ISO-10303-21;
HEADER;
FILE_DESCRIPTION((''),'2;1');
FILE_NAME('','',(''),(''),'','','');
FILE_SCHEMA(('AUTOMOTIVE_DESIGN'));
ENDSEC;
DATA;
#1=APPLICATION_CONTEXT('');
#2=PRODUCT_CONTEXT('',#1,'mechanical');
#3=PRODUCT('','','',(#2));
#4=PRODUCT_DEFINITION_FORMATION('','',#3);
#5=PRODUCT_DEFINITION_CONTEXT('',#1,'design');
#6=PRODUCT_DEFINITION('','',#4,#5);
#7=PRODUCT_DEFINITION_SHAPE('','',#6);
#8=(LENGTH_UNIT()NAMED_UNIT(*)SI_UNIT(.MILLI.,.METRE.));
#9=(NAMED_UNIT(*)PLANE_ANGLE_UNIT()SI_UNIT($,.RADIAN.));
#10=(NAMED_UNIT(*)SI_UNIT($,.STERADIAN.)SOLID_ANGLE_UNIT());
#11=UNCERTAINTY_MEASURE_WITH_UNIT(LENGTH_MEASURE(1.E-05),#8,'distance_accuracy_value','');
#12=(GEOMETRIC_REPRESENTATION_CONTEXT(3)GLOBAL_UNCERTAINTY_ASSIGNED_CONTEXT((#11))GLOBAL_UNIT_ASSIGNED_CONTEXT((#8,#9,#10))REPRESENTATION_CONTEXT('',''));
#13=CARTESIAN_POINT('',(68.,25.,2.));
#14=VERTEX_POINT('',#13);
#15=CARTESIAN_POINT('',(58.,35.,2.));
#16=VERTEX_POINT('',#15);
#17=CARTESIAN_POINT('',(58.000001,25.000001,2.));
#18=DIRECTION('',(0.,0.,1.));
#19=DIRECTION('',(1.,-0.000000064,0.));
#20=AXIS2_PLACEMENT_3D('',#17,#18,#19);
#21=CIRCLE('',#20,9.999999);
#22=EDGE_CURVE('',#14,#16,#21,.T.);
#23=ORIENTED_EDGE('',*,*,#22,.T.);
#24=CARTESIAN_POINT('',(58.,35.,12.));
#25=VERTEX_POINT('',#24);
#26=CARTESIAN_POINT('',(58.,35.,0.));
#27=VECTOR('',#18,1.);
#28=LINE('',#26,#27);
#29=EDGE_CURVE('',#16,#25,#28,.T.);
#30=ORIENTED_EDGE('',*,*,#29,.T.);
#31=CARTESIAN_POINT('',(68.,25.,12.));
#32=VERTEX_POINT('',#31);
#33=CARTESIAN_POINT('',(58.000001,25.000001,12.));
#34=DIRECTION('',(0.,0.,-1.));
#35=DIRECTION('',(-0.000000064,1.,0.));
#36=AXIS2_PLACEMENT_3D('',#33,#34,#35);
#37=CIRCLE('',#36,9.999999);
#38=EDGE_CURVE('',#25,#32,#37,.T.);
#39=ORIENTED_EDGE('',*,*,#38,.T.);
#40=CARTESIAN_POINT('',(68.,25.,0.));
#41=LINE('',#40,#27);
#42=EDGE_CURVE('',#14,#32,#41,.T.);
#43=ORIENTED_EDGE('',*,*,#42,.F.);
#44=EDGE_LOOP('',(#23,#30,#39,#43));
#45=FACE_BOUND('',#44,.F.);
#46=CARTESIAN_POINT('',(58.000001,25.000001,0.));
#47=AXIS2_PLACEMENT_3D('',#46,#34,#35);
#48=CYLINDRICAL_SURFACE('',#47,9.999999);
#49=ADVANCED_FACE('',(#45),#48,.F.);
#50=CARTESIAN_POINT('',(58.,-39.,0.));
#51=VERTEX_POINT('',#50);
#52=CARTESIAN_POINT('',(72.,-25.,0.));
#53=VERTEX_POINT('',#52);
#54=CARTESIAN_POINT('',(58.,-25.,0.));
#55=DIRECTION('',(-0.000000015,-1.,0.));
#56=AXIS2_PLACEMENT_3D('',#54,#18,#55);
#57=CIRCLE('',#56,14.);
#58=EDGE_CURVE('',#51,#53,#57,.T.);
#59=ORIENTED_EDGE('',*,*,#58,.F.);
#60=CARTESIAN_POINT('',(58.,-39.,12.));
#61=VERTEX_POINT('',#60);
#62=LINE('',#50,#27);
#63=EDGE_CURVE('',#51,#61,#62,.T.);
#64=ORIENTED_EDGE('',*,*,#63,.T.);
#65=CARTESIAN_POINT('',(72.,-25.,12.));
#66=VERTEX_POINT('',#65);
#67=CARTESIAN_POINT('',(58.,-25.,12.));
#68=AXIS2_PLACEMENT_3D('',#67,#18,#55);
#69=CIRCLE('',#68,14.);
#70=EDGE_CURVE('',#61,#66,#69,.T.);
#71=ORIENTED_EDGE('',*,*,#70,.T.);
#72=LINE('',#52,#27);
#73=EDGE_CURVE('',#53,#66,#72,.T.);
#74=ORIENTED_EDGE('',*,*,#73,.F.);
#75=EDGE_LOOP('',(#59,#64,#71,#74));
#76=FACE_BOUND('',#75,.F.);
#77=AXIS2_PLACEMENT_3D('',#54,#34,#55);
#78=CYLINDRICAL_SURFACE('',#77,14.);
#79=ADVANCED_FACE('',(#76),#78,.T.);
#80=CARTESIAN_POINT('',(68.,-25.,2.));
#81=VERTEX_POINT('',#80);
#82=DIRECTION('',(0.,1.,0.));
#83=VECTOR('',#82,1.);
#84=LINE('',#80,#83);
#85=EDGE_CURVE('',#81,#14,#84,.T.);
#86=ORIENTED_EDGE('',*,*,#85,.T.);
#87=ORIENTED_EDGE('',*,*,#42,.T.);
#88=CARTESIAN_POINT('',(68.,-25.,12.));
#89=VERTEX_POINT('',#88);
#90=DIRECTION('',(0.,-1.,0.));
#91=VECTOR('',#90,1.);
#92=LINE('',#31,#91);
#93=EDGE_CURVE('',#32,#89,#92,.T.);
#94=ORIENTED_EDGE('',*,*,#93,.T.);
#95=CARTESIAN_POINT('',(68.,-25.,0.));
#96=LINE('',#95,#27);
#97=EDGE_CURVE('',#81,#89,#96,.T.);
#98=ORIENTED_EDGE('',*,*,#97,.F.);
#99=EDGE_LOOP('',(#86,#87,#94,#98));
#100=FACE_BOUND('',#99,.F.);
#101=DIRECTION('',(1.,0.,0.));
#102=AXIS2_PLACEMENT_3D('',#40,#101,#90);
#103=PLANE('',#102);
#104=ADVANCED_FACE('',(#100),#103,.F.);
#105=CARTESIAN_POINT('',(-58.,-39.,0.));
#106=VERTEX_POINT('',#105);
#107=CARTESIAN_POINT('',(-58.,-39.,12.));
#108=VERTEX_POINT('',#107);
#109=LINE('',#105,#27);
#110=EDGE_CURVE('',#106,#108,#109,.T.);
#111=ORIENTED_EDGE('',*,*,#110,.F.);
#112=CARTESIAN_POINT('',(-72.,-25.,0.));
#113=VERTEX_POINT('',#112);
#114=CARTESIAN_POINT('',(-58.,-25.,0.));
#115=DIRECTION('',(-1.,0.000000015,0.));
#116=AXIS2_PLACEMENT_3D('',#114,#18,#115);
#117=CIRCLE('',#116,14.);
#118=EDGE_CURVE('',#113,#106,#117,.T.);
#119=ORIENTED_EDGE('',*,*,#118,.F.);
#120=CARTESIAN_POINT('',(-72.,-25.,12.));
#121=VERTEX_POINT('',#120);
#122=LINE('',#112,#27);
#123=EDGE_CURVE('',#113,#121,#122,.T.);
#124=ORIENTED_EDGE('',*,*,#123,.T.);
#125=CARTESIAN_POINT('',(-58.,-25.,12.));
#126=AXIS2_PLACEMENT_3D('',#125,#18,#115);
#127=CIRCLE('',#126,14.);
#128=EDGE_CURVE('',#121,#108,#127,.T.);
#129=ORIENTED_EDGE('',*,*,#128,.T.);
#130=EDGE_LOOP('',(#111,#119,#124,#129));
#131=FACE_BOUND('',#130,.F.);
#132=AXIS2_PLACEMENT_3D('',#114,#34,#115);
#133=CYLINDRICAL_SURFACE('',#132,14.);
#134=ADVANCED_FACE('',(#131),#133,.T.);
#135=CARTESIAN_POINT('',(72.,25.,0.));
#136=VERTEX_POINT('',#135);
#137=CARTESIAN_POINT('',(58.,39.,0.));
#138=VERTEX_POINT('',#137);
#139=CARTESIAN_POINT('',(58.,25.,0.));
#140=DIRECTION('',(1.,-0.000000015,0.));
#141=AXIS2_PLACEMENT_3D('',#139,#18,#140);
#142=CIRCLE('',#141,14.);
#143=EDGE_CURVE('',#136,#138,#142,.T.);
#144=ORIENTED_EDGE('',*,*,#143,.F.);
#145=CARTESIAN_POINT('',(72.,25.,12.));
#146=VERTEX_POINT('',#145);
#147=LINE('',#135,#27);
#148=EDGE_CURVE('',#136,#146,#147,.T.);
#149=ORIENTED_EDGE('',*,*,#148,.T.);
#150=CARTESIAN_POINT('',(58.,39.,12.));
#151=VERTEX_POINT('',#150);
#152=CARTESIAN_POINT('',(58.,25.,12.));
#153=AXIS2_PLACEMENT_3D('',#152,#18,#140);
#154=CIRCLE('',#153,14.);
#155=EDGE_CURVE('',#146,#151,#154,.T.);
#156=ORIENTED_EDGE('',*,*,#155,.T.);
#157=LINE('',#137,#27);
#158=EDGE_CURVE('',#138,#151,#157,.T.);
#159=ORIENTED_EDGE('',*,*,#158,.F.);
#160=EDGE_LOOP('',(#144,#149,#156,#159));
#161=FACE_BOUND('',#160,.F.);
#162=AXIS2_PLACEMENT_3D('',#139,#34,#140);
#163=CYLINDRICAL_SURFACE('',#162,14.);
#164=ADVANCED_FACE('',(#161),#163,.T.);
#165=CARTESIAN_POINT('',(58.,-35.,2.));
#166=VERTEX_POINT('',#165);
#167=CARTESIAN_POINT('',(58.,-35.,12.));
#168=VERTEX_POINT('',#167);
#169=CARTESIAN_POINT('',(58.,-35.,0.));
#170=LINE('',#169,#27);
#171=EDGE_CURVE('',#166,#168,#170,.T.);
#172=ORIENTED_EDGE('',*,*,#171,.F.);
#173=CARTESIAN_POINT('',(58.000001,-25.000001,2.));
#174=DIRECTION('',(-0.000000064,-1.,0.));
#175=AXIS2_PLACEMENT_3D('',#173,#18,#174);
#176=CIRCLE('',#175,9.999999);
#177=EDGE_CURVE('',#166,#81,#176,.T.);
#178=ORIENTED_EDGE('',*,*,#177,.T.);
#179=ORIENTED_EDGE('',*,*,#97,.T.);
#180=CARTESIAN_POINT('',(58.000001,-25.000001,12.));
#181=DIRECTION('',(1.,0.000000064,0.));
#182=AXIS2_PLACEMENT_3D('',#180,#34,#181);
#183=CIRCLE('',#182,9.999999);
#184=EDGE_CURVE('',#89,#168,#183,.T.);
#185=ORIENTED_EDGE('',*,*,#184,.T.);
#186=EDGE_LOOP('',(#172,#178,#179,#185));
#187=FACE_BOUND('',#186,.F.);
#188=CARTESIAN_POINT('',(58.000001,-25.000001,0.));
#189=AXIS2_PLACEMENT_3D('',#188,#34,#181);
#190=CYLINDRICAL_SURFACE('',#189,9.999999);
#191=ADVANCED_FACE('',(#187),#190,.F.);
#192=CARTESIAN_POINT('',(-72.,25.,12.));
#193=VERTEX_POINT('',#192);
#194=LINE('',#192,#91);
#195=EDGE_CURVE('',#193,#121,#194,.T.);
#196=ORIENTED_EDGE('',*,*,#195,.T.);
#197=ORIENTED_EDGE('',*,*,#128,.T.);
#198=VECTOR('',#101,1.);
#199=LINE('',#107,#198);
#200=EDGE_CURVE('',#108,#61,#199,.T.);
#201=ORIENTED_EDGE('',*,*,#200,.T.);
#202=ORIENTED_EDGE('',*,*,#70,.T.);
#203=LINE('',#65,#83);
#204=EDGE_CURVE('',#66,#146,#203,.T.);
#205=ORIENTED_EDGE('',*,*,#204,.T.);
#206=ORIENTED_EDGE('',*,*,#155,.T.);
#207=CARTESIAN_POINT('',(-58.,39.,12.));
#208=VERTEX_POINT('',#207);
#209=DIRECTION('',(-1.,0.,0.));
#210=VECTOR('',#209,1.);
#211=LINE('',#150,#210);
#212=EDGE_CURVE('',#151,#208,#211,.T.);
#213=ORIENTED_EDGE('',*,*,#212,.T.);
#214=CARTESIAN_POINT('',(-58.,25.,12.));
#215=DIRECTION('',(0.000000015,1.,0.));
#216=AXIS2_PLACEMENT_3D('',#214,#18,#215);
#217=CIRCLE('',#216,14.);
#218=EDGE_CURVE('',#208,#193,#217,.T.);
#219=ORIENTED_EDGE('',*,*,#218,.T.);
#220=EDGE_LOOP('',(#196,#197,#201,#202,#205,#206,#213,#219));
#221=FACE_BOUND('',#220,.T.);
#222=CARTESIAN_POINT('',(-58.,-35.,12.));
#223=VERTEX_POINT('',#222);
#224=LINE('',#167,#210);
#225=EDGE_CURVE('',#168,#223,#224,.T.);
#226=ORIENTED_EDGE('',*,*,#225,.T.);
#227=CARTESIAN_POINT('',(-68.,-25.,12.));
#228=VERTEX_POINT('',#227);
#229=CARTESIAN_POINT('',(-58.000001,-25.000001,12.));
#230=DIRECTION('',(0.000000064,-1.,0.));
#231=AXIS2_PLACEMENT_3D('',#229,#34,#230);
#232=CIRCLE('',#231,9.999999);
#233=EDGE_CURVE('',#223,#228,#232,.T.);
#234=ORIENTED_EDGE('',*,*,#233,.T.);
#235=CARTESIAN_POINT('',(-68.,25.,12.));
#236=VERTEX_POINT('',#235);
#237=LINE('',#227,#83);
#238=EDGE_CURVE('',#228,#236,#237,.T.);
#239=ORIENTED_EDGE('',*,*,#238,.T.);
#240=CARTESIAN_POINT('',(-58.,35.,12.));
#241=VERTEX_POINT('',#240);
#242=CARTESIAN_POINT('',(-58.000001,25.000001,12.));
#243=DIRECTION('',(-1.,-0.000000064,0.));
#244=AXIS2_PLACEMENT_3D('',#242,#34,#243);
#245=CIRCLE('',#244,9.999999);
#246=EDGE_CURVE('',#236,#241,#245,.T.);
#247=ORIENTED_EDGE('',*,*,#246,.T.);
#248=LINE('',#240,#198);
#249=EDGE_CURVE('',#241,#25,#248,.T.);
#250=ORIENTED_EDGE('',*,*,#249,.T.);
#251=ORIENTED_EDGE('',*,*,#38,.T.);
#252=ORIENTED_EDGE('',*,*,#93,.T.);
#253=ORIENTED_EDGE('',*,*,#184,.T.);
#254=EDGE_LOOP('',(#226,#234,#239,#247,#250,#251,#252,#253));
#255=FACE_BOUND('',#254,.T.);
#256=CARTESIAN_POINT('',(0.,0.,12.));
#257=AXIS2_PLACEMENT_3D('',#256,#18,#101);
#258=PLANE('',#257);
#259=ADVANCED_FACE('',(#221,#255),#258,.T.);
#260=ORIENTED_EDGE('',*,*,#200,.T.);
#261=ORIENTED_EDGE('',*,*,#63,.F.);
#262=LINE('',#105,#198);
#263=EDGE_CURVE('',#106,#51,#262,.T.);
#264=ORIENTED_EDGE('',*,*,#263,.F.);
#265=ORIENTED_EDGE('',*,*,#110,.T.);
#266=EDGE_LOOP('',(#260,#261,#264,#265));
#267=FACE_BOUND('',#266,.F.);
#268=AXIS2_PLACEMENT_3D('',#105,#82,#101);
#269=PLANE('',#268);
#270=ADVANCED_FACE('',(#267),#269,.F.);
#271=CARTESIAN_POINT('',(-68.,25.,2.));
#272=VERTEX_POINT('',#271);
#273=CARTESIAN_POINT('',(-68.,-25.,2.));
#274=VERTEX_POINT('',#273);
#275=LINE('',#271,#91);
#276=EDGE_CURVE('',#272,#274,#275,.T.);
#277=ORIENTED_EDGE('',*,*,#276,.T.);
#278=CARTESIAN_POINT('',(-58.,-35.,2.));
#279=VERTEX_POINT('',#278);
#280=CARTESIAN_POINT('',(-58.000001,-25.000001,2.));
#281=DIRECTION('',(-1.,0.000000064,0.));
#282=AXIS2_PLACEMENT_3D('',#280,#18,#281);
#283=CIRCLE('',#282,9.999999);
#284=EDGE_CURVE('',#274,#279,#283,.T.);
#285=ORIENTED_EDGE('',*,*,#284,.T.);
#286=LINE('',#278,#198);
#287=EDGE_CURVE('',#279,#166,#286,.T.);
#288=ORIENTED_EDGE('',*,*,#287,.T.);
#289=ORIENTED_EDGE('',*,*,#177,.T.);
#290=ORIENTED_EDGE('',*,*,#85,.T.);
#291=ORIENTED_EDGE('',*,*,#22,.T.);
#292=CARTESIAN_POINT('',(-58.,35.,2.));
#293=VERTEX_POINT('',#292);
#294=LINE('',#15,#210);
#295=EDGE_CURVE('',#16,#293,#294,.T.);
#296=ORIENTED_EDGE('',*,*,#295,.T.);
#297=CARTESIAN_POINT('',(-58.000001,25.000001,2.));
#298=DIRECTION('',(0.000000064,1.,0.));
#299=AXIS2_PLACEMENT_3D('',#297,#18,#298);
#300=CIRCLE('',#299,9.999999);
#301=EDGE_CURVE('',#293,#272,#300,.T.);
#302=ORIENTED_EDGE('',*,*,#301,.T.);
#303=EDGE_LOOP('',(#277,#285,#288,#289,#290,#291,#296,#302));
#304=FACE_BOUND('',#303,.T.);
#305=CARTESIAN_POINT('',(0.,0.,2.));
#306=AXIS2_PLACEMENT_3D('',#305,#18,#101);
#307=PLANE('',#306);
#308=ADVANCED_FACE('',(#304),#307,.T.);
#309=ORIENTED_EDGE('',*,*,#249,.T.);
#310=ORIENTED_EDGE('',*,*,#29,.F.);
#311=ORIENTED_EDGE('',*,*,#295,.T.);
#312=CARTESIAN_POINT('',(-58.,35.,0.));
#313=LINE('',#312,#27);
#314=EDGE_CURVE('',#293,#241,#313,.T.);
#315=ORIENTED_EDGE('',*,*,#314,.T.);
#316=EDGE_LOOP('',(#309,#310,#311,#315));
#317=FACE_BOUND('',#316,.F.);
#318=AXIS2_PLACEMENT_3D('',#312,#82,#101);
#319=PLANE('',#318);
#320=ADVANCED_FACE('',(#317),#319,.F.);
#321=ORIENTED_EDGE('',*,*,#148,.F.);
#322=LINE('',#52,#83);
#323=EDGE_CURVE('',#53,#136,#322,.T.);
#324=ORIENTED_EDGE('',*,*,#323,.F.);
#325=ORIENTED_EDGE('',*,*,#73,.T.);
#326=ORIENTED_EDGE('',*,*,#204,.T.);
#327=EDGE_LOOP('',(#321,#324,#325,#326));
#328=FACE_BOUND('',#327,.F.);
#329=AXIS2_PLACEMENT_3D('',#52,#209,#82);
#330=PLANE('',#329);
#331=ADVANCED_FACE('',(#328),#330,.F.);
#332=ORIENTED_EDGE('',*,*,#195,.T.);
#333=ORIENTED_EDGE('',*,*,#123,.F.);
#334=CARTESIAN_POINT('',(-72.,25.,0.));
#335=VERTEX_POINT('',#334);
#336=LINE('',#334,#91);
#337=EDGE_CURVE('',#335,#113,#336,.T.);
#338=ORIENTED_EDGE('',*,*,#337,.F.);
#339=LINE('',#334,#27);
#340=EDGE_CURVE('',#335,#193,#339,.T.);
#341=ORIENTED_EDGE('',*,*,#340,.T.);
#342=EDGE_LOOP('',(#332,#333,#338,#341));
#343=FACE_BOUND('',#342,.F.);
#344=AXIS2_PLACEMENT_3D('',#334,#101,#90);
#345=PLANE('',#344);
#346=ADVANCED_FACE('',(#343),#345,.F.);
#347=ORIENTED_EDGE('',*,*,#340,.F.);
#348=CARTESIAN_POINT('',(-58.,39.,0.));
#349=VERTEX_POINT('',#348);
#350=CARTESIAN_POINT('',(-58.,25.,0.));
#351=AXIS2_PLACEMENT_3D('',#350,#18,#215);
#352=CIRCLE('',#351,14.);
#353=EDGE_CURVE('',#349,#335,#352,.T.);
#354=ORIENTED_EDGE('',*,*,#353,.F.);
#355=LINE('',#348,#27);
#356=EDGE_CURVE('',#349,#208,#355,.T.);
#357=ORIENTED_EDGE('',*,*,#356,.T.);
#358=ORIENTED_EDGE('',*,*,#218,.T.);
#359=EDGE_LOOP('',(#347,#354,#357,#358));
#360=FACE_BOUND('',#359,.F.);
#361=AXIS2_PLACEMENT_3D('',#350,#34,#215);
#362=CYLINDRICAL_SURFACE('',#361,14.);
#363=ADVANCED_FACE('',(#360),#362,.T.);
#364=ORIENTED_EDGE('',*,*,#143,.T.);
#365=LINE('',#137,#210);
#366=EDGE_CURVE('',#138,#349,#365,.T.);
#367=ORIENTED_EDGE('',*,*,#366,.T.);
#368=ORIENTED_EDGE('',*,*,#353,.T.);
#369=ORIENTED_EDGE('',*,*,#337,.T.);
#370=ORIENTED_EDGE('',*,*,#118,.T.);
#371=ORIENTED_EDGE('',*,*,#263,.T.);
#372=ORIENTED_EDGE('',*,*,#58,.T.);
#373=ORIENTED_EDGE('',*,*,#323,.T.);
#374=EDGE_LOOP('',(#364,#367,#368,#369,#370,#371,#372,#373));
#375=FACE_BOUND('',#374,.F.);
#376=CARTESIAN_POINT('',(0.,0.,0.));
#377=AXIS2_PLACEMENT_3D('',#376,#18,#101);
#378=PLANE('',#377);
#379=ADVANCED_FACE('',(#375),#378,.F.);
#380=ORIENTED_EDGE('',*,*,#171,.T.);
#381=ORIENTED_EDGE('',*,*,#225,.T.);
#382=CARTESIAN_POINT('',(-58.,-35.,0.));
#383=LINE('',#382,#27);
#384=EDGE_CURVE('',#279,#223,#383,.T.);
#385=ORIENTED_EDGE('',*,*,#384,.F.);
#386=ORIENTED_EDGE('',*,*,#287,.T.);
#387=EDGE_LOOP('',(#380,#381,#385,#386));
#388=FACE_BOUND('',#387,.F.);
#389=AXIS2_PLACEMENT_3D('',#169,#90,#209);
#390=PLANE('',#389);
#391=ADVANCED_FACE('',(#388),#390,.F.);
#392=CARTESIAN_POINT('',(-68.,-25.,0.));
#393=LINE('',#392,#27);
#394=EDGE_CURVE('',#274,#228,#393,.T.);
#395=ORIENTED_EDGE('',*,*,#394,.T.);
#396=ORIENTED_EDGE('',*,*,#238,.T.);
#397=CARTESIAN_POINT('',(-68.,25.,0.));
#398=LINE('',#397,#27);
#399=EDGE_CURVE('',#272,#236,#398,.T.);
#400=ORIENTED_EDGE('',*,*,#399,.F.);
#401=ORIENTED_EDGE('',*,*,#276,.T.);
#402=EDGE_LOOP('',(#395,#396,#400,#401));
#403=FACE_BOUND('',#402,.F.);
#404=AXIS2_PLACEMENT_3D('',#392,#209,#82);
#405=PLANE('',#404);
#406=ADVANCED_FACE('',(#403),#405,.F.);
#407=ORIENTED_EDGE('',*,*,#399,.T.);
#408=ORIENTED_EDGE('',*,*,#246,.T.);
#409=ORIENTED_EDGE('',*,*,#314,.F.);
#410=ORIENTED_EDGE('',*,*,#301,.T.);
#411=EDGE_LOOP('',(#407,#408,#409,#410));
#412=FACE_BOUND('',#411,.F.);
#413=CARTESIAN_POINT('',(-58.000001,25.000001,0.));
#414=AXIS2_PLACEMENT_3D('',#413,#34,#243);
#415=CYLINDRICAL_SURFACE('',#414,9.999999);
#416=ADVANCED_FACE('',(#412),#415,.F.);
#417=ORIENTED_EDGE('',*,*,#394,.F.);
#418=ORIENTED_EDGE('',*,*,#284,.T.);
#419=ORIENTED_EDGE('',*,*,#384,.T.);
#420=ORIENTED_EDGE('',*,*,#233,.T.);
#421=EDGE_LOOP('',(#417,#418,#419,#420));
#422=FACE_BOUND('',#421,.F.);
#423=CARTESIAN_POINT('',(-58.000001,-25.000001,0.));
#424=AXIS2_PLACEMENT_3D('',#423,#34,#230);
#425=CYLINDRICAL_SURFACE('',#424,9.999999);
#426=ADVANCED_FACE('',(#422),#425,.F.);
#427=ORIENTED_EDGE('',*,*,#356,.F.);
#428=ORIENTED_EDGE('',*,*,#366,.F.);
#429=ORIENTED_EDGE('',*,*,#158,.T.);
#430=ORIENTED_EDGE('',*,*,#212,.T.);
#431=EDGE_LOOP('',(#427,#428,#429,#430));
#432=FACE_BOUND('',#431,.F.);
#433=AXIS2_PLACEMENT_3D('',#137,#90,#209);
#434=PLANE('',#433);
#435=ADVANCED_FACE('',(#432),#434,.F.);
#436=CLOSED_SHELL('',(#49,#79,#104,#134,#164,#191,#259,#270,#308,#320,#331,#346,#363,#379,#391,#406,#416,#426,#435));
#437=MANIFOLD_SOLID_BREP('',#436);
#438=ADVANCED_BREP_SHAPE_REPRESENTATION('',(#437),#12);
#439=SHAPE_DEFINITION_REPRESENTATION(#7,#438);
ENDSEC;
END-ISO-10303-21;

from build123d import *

# Parameters (mm, degrees)
F1_DEPTH = 2
F2_DEPTH = 12


with BuildPart() as f1:
    # F0 (on Top) → F1 (new body)
    with BuildSketch(Plane.XY):
        with BuildLine():
            ThreePointArc((-68, -25), (-65.071068, -32.071068), (-58, -35))
            Line((-58, -35), (58, -35))
            ThreePointArc((58, -35), (65.071068, -32.071068), (68, -25))
            Line((68, -25), (68, 25))
            ThreePointArc((68, 25), (65.071068, 32.071068), (58, 35))
            Line((58, 35), (-58, 35))
            ThreePointArc((-58, 35), (-65.071068, 32.071068), (-68, 25))
            Line((-68, 25), (-68, -25))
        make_face()
    extrude(amount=F1_DEPTH)

    # F0 (on Top) → F2 (join)
    with BuildSketch(Plane.XY):
        with BuildLine():
            Line((58, 39), (-58, 39))
            ThreePointArc((-58, 39), (-67.899495, 34.899495), (-72, 25))
            Line((-72, 25), (-72, -25))
            ThreePointArc((-72, -25), (-67.899495, -34.899495), (-58, -39))
            Line((-58, -39), (58, -39))
            ThreePointArc((58, -39), (67.899495, -34.899495), (72, -25))
            Line((72, -25), (72, 25))
            ThreePointArc((72, 25), (67.899495, 34.899495), (58, 39))
        make_face()
        with BuildLine():
            Line((58, -35), (-58, -35))
            ThreePointArc((-58, -35), (-65.071068, -32.071068), (-68, -25))
            Line((-68, -25), (-68, 25))
            ThreePointArc((-68, 25), (-65.071068, 32.071068), (-58, 35))
            Line((-58, 35), (58, 35))
            ThreePointArc((58, 35), (65.071068, 32.071068), (68, 25))
            Line((68, 25), (68, -25))
            ThreePointArc((68, -25), (65.071068, -32.071068), (58, -35))
        make_face(mode=Mode.SUBTRACT)
    extrude(amount=F2_DEPTH)


solid = f1.part
